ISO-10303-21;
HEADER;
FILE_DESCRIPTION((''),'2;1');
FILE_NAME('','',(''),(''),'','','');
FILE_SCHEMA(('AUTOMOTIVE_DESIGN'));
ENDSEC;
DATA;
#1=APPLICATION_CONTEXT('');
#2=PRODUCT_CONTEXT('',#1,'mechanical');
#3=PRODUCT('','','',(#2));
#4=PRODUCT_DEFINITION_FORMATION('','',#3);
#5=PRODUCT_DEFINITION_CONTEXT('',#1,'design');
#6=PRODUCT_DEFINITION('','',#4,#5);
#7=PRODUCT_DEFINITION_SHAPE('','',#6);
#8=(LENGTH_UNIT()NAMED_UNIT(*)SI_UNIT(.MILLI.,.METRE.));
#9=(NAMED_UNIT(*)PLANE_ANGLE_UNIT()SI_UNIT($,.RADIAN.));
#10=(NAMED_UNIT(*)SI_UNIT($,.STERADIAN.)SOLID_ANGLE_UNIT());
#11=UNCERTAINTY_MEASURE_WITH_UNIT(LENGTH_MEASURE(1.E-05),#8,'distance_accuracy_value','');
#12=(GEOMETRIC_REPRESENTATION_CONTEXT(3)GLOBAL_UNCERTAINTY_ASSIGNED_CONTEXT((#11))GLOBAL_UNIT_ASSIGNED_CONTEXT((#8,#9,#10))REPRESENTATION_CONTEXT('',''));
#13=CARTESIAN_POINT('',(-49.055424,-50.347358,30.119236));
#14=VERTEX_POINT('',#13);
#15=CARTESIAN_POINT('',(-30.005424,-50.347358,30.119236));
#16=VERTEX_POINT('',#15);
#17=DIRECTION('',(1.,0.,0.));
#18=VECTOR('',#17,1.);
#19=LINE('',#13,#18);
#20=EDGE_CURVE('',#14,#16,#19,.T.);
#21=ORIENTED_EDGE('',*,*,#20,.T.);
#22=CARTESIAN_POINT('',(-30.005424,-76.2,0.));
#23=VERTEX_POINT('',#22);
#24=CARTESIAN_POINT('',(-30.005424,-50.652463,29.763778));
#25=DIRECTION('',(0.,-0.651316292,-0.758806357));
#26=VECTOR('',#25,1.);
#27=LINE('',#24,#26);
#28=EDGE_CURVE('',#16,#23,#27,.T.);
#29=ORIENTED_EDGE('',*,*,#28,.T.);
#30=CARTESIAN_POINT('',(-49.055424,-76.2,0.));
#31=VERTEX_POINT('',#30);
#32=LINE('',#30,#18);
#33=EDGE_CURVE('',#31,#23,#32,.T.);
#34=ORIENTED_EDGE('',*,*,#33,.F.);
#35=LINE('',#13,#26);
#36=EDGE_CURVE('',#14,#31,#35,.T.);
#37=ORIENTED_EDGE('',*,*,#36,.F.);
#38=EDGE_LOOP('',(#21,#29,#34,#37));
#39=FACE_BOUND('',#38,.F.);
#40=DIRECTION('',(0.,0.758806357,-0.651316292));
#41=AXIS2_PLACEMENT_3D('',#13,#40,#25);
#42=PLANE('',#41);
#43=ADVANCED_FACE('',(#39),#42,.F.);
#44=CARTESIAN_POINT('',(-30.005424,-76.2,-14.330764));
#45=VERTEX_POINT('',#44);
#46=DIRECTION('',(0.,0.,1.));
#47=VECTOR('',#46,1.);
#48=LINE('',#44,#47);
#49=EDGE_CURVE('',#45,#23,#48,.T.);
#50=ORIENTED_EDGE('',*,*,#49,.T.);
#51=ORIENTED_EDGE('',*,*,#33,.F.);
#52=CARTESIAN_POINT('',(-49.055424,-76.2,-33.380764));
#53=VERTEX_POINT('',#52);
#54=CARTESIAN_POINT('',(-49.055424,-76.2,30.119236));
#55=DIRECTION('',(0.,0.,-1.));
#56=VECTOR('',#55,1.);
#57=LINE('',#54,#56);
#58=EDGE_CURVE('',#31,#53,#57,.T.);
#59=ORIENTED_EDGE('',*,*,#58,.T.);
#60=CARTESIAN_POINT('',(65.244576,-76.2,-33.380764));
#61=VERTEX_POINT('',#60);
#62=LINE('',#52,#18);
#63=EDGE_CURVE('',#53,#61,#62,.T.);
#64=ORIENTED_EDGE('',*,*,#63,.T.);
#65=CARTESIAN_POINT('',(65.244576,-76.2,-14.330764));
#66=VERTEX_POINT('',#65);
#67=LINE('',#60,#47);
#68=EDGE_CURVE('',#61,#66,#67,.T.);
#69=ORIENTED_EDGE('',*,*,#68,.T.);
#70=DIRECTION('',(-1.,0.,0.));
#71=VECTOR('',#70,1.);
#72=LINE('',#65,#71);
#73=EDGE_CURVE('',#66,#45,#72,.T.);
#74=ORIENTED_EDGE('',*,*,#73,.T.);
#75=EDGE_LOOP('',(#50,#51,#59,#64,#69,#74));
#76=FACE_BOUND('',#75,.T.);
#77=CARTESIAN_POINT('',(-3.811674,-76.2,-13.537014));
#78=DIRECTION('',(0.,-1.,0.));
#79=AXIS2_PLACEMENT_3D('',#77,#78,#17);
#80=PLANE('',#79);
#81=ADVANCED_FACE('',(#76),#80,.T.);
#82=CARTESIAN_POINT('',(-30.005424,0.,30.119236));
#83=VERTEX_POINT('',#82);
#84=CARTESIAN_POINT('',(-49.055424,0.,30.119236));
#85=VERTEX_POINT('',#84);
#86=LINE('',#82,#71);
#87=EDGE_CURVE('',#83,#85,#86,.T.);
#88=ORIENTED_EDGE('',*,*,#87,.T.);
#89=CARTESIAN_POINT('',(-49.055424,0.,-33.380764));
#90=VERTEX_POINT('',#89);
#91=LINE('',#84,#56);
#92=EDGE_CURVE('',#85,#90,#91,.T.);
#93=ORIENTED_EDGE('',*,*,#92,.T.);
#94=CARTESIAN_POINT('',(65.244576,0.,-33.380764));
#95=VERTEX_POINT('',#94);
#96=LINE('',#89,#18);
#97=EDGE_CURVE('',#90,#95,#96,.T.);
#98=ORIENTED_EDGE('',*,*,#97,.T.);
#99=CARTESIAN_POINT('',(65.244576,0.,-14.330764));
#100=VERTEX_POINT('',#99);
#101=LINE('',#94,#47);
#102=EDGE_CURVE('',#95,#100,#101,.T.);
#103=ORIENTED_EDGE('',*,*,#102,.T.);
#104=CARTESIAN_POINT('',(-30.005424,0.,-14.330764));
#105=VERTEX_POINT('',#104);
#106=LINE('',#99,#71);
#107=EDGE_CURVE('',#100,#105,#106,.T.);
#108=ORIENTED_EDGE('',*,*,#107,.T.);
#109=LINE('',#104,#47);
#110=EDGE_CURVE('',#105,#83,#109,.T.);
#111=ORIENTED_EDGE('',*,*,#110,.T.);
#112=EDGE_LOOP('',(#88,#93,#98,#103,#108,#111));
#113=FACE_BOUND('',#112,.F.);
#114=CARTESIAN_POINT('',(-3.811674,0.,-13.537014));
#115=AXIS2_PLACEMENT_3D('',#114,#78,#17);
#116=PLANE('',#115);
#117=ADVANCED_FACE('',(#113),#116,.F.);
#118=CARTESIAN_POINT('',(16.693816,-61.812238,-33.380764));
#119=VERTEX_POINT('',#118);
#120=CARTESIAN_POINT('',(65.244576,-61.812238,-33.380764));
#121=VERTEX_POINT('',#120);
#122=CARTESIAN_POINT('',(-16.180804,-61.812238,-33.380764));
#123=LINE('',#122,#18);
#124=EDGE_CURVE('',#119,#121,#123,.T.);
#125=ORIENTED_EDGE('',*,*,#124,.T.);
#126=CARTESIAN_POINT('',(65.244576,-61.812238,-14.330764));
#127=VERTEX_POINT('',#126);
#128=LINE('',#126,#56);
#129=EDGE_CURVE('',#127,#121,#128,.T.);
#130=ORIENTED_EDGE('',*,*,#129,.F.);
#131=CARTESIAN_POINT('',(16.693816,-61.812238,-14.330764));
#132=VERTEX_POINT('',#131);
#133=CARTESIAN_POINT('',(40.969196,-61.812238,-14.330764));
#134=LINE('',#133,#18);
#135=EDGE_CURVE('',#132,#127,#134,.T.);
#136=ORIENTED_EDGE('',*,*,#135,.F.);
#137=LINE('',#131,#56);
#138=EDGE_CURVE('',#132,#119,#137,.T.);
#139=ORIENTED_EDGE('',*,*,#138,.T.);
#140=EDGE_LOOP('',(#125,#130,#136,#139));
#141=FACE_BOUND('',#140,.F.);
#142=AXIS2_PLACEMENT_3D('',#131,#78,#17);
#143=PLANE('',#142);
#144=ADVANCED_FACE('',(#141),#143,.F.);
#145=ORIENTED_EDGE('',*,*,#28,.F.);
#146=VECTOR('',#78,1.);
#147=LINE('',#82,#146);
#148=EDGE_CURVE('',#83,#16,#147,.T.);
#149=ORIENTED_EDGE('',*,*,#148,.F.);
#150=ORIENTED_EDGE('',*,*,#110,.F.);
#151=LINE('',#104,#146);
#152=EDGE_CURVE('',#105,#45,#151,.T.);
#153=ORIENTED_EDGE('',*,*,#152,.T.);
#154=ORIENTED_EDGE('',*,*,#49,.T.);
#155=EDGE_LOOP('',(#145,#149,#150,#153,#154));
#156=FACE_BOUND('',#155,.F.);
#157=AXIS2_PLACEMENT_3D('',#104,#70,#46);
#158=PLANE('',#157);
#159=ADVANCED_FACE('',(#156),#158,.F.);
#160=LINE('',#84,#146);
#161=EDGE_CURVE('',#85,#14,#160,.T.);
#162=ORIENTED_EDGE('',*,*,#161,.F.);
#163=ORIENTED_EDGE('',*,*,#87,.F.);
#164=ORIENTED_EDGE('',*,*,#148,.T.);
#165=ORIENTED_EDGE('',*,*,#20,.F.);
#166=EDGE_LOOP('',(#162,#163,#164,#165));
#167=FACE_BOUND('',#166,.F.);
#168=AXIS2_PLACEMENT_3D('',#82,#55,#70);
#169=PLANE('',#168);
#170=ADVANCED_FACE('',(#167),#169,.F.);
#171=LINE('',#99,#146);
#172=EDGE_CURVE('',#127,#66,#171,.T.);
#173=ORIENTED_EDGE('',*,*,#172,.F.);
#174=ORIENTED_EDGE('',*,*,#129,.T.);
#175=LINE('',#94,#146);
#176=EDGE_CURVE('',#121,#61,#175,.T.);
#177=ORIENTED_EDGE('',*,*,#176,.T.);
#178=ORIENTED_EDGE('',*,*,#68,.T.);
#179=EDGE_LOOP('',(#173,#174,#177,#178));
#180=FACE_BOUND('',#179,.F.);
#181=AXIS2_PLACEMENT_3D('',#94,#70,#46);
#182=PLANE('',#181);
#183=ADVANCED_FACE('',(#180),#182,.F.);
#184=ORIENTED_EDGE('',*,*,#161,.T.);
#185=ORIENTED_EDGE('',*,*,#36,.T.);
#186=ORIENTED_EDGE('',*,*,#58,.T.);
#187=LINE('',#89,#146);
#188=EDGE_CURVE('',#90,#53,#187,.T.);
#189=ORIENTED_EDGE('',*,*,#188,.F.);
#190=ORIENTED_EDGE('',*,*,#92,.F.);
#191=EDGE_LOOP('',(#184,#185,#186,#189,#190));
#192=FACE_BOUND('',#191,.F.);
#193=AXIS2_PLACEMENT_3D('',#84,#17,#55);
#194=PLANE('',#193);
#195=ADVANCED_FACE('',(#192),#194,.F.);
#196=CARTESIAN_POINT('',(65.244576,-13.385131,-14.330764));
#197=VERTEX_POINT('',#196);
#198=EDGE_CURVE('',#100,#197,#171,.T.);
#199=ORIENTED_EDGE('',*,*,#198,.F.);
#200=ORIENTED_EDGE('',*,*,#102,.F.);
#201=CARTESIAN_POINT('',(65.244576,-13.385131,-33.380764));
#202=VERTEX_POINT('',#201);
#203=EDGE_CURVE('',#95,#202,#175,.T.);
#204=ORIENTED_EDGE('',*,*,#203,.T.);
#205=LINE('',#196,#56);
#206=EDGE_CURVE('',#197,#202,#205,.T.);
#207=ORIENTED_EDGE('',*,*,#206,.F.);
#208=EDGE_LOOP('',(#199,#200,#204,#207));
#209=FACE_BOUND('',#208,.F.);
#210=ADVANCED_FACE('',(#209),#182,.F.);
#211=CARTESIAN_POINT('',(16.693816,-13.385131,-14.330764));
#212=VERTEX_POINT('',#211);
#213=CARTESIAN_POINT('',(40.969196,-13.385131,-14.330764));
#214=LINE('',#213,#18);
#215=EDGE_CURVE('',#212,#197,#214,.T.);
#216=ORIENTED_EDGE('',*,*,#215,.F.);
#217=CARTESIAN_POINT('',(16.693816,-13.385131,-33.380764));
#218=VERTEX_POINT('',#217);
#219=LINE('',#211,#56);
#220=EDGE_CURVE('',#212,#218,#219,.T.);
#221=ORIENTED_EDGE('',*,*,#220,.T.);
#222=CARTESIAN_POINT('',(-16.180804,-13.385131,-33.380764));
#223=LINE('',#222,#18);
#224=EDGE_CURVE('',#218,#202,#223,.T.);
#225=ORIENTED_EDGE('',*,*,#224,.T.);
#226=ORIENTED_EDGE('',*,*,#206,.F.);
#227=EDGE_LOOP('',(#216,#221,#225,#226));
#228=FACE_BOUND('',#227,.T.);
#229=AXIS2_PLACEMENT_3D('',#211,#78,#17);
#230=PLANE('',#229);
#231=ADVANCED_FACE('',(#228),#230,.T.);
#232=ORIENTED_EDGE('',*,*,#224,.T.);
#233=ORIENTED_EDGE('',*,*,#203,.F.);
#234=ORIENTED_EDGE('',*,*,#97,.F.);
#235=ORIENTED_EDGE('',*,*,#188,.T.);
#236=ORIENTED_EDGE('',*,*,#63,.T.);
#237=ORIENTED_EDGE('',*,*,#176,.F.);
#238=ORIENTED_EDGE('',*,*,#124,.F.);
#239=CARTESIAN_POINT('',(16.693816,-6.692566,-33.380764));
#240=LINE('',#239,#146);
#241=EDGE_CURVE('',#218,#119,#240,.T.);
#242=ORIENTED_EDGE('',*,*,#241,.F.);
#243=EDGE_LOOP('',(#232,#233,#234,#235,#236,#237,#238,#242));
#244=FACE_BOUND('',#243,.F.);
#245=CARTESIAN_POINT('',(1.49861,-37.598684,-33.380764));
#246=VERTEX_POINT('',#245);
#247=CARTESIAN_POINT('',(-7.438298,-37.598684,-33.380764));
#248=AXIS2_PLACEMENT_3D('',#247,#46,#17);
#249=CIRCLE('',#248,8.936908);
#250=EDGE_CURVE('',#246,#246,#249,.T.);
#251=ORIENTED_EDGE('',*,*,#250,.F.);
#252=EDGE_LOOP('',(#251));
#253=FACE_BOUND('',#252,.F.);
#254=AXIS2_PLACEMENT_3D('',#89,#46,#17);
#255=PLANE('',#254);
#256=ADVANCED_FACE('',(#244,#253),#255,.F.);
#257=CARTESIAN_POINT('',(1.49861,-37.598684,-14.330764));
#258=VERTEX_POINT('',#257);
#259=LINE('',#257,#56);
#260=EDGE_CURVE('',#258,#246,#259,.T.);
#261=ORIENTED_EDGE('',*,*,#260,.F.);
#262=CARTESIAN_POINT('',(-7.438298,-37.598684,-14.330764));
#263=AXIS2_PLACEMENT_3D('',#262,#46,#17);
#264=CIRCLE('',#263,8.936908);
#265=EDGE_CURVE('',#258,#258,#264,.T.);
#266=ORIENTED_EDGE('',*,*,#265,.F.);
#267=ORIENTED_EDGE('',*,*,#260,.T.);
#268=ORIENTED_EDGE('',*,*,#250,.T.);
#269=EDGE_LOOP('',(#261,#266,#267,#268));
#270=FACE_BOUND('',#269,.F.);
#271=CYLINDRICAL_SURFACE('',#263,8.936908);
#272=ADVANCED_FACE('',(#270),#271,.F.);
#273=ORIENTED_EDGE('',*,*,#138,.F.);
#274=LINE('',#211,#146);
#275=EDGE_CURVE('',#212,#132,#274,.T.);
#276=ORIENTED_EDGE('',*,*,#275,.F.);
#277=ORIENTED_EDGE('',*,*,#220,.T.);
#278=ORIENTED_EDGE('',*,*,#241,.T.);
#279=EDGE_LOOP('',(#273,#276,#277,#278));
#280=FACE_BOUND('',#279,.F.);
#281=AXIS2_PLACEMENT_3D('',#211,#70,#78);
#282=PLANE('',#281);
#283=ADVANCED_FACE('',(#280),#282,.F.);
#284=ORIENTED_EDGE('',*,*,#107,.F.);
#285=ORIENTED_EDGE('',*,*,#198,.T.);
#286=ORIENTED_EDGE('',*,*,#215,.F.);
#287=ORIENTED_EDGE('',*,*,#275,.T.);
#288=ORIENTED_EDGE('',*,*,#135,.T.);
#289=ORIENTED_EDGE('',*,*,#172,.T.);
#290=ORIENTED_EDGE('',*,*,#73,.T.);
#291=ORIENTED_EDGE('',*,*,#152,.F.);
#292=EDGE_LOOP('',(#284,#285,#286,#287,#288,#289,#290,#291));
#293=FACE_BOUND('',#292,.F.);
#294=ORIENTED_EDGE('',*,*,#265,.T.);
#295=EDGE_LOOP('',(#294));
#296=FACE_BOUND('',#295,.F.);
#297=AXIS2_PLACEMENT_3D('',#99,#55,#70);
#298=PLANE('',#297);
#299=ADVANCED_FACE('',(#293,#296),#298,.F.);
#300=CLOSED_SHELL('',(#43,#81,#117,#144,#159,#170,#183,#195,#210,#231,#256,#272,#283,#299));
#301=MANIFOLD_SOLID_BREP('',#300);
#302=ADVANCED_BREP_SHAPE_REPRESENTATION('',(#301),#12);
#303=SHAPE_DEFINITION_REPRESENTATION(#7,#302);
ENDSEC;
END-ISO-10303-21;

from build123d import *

# Parameters (mm, degrees)
F1_DEPTH = 76.2
F4_DEPTH = 114.301
F5_DEPTH = 114.301
F6_W     = 48.55076
F6_H     = 23.712237
F6_H_2   = 24.714869
F7_DEPTH = 19.051
F8_R     = 8.936908
F9_DEPTH = 19.051


with BuildPart() as f1:
    # F0 (on Front) → F1 (new body)
    with BuildSketch(Plane.XZ):
        Polygon((-30.005424, 30.119236), (-49.055424, 30.119236), (-49.055424, -33.380764), (65.244576, -33.380764), (65.244576, -14.330764), (-30.005424, -14.330764), align=None)
    extrude(amount=F1_DEPTH)

    # F3 (on face) → F4 (cut, through all)
    with BuildSketch(Plane(origin=(-49.055424, 0, 0), x_dir=(0, -1, 0), z_dir=(-1, 0, 0))):
        Polygon((76.2, 0), (76.2, 30.119236), (50.347358, 30.119236), align=None)
    extrude(amount=-F4_DEPTH, mode=Mode.SUBTRACT)

    # F2 (on face) → F5 (cut, through all)
    with BuildSketch(Plane(origin=(-49.055424, 0, 0), x_dir=(0, -1, 0), z_dir=(-1, 0, 0))):
        Polygon((76.2, 30.119236), (50.347358, 30.119236), (76.2, 0), align=None)
    extrude(amount=-F5_DEPTH, mode=Mode.SUBTRACT)

    # F6 (on face) → F7 (cut, through all)
    with BuildSketch(Plane.XY.offset(-14.330764)):
        with Locations((40.969196, -49.956119)):
            Rectangle(F6_W, F6_H)
        with Locations((40.969196, -25.742566)):
            Rectangle(F6_W, F6_H_2)
    extrude(amount=-F7_DEPTH, mode=Mode.SUBTRACT)

    # F8 (on face) → F9 (cut, through all)
    with BuildSketch(Plane.XY.offset(-14.330764)):
        with Locations((-7.438298, -37.598684)):
            Circle(F8_R)
    extrude(amount=-F9_DEPTH, mode=Mode.SUBTRACT)


solid = f1.part
